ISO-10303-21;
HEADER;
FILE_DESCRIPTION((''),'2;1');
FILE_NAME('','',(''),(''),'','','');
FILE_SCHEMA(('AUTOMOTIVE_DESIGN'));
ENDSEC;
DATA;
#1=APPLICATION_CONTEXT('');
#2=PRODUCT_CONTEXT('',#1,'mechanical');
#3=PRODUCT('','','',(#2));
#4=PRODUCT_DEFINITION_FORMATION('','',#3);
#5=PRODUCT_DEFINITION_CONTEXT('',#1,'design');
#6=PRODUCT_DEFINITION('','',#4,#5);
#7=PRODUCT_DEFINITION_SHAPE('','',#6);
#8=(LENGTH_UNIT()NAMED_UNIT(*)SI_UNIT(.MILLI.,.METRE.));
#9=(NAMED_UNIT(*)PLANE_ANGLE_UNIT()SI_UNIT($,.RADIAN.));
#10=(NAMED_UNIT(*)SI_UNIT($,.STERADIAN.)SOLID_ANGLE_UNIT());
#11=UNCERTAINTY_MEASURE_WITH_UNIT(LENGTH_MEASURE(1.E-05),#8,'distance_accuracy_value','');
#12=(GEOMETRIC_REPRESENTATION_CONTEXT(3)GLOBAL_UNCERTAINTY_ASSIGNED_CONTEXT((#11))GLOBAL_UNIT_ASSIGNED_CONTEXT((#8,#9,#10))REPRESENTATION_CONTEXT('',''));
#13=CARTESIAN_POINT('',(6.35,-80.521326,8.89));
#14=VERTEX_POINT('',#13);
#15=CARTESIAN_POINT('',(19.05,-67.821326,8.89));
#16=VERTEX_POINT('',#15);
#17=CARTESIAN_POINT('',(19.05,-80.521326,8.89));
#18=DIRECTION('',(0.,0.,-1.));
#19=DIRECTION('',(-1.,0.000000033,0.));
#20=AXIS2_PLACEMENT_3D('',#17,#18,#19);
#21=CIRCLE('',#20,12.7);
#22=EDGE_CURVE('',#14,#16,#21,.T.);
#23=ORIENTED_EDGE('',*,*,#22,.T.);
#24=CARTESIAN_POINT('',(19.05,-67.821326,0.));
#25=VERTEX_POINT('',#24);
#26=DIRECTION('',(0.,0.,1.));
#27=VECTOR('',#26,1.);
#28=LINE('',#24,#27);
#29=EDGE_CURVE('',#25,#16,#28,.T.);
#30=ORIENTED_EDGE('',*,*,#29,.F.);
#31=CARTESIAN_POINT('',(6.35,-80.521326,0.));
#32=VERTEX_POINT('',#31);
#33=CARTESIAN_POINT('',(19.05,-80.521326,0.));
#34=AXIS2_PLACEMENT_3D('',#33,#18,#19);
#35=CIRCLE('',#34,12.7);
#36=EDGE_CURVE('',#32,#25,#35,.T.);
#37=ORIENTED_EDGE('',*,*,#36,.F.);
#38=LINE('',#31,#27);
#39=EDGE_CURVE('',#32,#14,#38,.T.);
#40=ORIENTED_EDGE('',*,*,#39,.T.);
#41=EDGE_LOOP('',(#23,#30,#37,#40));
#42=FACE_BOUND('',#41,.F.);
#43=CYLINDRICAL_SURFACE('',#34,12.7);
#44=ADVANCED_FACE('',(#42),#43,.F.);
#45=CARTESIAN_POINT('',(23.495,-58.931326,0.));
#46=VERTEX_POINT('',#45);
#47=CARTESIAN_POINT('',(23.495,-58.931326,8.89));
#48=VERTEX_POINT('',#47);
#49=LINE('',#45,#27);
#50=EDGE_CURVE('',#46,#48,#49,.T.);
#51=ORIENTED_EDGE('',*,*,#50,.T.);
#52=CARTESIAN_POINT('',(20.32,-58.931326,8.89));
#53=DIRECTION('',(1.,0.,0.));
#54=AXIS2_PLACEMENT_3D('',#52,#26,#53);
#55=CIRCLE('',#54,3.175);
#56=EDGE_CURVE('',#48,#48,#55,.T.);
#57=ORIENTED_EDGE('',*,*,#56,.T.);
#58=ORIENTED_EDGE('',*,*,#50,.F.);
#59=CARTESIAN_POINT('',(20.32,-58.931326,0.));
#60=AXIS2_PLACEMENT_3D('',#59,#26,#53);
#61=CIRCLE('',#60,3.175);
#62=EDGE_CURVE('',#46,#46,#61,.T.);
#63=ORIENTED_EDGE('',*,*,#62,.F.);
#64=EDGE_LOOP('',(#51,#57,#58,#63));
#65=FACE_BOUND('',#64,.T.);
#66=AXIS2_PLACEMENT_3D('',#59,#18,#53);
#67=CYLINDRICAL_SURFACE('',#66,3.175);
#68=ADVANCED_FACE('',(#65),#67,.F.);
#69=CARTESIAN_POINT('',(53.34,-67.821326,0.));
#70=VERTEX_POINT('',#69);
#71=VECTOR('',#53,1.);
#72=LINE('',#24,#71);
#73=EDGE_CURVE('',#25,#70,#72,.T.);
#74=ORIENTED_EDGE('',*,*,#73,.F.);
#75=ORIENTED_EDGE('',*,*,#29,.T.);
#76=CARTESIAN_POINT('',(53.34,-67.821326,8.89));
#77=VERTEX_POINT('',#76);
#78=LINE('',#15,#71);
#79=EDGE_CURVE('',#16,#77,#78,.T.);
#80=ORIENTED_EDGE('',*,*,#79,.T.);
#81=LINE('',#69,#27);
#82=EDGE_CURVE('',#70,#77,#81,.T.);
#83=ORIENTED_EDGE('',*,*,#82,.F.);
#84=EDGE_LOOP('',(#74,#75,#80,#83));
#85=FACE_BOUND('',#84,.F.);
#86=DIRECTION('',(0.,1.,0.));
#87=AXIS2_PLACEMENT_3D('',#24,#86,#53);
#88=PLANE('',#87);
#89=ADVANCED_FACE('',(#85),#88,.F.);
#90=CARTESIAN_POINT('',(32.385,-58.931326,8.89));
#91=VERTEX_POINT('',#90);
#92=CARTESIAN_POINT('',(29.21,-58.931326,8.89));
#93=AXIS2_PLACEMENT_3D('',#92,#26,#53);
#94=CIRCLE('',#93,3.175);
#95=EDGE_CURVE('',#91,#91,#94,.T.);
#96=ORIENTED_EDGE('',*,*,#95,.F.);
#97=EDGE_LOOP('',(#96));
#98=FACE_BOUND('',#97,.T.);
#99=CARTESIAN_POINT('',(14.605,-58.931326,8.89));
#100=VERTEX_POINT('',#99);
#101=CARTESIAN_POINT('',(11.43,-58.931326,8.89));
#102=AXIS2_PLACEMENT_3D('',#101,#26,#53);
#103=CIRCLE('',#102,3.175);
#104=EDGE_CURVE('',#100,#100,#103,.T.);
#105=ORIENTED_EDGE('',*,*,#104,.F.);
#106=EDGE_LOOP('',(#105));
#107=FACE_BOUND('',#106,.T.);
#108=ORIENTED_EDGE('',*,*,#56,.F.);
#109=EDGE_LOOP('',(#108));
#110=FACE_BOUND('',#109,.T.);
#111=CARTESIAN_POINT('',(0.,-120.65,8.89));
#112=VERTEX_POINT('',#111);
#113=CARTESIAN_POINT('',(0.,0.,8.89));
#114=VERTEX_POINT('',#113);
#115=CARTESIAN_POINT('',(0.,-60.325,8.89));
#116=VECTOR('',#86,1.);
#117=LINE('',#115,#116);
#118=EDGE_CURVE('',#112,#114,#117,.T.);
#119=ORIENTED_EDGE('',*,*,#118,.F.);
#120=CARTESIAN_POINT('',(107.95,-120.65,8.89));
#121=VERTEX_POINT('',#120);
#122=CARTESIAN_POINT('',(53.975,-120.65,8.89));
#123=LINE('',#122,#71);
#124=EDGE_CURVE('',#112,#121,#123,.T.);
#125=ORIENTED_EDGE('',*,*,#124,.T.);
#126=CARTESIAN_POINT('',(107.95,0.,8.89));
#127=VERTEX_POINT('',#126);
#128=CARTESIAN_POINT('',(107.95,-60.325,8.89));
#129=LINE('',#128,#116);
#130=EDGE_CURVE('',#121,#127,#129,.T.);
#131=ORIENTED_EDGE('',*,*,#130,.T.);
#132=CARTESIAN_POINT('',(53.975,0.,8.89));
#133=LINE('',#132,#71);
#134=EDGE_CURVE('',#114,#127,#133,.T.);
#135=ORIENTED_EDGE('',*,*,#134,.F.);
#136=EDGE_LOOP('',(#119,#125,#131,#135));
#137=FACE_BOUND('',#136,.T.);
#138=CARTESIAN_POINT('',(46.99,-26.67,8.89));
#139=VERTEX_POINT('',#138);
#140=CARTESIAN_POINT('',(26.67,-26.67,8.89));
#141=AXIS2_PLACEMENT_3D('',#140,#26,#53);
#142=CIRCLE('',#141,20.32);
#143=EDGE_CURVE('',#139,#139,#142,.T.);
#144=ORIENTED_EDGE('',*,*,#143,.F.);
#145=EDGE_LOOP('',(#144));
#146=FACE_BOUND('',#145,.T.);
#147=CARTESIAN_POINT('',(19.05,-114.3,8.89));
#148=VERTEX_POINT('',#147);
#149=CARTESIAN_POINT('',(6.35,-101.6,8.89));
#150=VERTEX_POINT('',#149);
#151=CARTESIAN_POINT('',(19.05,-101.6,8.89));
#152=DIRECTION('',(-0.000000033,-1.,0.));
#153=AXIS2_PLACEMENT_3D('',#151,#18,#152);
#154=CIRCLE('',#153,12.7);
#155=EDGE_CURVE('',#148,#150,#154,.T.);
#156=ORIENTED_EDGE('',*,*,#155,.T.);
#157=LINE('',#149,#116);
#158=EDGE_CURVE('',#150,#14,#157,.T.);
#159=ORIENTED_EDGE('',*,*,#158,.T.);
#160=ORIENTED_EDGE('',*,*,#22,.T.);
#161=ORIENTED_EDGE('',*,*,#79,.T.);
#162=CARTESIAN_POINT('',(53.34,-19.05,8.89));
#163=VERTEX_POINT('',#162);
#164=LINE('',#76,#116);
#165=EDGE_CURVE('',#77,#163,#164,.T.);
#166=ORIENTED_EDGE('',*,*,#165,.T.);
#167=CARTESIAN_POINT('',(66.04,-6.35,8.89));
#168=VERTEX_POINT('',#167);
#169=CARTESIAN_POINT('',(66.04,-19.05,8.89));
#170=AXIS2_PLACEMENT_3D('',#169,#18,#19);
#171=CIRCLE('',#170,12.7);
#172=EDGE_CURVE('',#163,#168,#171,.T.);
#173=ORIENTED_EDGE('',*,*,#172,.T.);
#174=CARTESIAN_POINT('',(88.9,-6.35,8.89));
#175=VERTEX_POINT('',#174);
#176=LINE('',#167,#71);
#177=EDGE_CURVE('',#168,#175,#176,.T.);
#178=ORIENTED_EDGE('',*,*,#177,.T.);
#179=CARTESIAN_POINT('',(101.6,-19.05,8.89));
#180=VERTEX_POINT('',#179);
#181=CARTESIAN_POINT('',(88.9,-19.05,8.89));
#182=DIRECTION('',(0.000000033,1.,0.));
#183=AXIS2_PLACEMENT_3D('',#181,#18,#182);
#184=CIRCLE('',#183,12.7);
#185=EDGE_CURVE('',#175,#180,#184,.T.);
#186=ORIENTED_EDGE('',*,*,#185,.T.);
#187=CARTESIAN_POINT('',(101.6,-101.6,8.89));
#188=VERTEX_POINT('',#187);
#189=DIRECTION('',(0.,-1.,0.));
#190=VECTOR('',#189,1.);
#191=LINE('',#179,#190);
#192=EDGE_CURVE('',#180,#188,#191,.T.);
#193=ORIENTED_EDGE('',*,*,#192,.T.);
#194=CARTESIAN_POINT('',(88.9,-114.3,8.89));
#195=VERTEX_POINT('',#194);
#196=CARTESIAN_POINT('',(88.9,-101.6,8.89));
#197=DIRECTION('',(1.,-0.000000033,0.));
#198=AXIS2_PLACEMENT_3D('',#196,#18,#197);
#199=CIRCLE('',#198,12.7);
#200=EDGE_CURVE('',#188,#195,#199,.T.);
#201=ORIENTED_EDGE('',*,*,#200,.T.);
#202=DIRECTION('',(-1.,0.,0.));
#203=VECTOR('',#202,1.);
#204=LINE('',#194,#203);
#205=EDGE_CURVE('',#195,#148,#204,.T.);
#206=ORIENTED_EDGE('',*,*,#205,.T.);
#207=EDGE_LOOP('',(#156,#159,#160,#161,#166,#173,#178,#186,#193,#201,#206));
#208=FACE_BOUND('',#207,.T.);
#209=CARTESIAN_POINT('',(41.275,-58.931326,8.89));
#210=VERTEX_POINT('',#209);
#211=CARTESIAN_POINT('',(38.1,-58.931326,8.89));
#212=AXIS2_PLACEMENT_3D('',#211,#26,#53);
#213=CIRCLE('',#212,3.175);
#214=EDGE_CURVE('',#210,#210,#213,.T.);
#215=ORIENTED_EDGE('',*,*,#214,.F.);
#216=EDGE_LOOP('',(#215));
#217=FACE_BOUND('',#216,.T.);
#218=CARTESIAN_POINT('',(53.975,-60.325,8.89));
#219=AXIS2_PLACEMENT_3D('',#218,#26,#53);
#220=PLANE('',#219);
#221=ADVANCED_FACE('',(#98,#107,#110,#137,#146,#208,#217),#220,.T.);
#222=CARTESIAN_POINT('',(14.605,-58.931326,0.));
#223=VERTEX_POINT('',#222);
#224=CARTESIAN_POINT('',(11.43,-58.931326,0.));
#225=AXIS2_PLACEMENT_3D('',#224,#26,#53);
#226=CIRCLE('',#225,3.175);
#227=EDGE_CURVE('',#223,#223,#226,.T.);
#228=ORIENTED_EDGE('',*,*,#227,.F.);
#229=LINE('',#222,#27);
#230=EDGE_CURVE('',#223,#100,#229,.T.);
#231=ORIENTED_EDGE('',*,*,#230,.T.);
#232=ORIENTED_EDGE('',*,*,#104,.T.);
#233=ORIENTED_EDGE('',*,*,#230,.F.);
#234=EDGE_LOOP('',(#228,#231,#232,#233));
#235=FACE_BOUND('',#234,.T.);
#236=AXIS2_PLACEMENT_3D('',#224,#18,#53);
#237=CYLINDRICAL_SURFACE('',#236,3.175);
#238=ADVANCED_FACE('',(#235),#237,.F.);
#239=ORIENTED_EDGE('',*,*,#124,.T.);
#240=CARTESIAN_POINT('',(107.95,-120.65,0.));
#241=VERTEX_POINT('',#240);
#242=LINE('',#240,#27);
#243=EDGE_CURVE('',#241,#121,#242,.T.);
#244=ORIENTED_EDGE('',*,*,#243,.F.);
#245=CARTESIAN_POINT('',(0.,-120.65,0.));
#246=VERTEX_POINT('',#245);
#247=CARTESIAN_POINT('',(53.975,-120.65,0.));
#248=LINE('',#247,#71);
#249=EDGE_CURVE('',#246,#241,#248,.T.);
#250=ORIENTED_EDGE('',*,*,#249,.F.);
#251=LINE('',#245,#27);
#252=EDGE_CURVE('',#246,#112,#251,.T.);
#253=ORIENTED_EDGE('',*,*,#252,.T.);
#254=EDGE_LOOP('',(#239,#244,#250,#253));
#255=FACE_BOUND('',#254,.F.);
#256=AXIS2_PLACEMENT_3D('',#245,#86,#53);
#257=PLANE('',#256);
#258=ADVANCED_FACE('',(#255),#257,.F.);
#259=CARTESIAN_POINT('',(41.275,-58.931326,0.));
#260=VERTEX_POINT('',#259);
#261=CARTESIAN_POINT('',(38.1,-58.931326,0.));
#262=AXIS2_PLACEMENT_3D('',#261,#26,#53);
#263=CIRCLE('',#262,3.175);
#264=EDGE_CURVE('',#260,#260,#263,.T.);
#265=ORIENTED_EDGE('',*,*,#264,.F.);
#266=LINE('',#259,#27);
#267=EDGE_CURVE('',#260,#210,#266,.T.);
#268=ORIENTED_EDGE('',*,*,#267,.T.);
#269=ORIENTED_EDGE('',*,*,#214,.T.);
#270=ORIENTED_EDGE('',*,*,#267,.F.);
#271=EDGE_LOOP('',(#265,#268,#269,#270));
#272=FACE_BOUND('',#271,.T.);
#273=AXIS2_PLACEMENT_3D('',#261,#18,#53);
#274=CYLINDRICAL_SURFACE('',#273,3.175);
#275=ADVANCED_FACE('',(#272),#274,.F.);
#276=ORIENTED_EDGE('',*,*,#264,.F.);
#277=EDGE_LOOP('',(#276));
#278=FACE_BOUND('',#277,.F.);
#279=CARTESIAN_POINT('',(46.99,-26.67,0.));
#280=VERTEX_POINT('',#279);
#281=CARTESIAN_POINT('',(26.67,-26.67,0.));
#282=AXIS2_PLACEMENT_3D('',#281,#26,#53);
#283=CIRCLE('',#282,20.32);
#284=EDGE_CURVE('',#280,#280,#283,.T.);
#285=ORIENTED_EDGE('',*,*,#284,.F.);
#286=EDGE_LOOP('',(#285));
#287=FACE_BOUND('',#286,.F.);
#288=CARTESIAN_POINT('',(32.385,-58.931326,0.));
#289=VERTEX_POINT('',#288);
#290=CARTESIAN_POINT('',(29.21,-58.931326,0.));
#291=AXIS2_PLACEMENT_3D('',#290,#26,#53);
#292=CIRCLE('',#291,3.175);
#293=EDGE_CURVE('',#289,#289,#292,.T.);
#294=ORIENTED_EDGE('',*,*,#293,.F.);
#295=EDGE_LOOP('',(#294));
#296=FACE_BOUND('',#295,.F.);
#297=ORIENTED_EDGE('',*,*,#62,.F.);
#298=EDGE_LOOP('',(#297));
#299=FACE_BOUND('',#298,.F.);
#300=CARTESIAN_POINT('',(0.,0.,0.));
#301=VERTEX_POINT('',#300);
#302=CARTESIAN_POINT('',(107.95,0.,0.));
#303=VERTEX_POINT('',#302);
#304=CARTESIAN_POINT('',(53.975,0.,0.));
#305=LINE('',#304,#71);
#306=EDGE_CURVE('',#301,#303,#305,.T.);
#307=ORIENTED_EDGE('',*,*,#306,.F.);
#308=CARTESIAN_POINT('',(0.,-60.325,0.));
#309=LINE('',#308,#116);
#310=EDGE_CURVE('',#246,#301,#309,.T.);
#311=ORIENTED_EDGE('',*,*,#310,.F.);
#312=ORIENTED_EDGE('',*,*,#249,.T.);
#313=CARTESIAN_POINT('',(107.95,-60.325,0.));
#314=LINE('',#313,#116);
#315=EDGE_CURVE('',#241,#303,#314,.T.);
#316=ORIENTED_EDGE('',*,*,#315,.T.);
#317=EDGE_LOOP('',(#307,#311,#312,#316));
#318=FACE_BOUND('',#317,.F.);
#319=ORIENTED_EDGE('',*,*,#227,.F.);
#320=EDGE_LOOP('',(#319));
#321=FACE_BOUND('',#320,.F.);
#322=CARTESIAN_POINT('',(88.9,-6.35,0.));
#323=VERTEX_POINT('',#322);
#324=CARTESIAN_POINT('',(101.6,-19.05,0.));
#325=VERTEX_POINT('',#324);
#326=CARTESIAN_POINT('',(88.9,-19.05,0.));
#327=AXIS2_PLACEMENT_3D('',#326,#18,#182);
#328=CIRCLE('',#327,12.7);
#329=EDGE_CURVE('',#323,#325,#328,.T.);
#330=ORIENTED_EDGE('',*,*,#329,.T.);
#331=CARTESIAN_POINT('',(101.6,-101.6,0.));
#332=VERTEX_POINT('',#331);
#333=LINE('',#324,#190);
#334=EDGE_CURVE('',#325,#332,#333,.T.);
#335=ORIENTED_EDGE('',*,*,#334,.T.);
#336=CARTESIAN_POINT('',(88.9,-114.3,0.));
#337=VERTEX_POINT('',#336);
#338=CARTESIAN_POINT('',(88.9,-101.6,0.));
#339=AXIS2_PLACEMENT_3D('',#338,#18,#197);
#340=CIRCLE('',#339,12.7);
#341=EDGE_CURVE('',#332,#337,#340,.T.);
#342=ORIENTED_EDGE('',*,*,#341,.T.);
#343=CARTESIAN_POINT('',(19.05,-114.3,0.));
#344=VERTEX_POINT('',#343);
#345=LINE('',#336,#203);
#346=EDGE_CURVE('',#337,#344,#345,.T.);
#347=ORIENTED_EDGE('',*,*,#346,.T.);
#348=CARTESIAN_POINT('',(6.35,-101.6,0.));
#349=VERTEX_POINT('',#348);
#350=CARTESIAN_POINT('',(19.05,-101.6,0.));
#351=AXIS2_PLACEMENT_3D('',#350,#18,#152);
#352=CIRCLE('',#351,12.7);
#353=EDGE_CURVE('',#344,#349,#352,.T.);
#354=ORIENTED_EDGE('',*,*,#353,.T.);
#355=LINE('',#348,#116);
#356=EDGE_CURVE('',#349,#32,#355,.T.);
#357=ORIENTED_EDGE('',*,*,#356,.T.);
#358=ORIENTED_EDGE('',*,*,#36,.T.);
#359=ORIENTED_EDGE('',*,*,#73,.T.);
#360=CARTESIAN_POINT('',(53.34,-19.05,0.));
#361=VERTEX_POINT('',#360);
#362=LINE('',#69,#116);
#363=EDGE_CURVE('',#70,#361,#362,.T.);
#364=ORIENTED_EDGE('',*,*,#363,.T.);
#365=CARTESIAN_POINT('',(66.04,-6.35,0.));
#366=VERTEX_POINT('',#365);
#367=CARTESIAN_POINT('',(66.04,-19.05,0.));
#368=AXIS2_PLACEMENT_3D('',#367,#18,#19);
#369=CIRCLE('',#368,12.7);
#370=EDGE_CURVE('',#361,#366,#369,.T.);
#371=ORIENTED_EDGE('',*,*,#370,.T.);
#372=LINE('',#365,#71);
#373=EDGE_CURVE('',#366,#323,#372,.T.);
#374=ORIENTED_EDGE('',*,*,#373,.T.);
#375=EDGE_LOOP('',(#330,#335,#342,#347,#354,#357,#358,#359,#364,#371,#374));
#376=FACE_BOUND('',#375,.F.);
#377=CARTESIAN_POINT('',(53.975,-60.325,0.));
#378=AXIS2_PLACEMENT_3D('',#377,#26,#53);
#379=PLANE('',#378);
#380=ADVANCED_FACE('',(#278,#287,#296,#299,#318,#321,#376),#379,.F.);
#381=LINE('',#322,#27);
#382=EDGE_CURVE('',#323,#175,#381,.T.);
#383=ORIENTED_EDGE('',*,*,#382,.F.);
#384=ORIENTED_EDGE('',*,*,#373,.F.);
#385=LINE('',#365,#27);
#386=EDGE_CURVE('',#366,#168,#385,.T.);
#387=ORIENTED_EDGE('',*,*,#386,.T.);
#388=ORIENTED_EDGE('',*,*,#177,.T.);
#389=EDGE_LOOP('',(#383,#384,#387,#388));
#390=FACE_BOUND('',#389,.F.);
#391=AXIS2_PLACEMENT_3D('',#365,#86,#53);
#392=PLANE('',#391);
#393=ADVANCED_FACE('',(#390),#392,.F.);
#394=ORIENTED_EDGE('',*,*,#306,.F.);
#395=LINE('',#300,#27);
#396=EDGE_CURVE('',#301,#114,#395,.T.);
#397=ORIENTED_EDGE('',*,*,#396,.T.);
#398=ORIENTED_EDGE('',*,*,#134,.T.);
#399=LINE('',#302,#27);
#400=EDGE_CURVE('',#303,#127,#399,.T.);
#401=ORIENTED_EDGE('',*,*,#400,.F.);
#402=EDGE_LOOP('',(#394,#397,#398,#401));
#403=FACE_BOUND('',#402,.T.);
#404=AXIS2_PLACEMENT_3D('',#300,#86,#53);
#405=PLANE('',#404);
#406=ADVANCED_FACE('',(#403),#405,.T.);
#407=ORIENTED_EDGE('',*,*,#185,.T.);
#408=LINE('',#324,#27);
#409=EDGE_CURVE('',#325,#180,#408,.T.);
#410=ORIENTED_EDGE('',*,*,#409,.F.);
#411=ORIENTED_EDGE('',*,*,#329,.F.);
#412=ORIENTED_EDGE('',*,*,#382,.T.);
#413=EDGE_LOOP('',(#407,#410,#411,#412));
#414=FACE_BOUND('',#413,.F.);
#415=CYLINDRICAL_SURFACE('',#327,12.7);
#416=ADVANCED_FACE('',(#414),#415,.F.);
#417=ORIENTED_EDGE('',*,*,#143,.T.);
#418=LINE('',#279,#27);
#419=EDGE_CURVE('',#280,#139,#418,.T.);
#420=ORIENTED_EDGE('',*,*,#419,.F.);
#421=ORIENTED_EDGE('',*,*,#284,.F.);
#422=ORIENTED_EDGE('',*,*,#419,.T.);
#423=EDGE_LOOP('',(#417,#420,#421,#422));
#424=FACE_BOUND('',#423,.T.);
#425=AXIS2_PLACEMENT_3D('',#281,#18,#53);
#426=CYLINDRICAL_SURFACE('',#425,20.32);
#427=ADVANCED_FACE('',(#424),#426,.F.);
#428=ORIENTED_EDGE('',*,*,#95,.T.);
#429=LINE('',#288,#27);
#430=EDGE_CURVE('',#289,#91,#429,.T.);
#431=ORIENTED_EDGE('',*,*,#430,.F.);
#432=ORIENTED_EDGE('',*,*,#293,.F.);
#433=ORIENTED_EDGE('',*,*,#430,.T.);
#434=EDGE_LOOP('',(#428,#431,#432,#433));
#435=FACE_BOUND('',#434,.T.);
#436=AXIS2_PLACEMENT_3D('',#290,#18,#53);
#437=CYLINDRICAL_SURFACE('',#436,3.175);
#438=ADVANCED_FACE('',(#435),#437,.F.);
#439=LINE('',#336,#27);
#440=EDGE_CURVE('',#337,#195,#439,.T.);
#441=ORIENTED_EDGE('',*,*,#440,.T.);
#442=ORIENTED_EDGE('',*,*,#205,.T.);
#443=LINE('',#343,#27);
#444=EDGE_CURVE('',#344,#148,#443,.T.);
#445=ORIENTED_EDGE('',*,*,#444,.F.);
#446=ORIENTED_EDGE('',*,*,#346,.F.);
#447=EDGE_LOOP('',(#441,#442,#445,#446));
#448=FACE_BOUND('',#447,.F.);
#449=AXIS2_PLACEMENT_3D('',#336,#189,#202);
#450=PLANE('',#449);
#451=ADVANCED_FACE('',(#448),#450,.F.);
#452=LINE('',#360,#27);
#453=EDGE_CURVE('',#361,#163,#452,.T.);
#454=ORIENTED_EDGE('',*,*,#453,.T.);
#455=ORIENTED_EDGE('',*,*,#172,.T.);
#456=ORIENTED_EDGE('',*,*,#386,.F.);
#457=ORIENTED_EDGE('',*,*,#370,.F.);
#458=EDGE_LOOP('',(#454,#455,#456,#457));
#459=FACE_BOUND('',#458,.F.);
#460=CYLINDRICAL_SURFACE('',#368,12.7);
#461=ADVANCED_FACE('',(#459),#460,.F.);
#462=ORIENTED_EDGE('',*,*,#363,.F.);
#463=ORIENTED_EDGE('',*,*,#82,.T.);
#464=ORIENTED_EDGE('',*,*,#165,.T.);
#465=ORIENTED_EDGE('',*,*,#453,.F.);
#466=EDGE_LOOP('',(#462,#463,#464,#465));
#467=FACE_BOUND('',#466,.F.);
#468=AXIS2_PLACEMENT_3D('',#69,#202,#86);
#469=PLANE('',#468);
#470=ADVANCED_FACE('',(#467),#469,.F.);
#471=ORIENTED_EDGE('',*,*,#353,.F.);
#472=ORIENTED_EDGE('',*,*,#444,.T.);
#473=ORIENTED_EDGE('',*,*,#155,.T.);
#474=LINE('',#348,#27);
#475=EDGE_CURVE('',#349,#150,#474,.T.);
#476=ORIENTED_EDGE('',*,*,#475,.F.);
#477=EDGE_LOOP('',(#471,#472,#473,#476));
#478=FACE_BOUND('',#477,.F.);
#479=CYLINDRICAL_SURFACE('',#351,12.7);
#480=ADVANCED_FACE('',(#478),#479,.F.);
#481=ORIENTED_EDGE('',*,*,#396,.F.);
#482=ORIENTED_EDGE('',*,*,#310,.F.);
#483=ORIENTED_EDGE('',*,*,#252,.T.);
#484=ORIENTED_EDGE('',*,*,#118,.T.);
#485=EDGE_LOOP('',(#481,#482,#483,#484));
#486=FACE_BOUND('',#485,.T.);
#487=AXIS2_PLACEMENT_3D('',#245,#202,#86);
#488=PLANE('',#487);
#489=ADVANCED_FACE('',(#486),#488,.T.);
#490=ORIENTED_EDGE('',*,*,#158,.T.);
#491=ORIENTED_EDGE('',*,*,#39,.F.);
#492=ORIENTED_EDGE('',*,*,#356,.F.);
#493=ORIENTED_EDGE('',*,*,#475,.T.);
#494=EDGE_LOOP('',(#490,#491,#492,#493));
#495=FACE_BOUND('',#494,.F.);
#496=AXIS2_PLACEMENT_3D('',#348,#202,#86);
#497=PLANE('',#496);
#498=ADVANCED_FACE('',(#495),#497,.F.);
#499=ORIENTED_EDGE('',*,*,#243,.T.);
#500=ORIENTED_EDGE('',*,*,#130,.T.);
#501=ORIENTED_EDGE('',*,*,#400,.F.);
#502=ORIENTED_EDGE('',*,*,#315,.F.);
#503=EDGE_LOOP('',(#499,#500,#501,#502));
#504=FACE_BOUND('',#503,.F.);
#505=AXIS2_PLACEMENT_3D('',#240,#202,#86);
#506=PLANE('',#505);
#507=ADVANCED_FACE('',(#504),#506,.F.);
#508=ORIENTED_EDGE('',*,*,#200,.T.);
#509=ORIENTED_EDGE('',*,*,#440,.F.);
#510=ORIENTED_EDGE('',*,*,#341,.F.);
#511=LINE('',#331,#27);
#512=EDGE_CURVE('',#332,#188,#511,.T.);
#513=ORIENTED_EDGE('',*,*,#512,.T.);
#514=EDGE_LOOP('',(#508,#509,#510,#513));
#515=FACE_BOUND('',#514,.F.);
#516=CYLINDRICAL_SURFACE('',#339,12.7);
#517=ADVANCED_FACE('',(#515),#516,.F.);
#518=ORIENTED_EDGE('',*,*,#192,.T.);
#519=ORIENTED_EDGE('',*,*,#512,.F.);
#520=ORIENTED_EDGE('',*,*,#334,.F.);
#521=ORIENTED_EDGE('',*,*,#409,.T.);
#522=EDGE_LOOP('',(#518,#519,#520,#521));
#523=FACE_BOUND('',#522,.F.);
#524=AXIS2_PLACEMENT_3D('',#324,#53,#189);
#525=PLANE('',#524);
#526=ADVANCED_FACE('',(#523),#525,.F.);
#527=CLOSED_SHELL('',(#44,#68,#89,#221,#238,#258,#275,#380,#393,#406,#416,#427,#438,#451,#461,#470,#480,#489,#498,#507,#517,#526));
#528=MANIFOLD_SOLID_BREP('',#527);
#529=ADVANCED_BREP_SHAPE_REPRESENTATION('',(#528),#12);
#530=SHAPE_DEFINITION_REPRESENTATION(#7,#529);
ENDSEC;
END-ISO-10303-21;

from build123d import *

# Parameters (mm, degrees)
F0_W     = 107.95
F0_H     = 120.65
F0_R     = 3.175
F0_R_2   = 20.32
F1_DEPTH = 8.89


with BuildPart() as f1:
    # F0 (on Top) → F1 (new body)
    with BuildSketch(Plane.XY):
        with Locations((53.975, -60.325)):
            Rectangle(F0_W, F0_H)
        with Locations((11.43, -58.931326)):
            Circle(F0_R, mode=Mode.SUBTRACT)
        with Locations((20.32, -58.931326)):
            Circle(F0_R, mode=Mode.SUBTRACT)
        with Locations((29.21, -58.931326)):
            Circle(F0_R, mode=Mode.SUBTRACT)
        with Locations((38.1, -58.931326)):
            Circle(F0_R, mode=Mode.SUBTRACT)
        with BuildLine():
            ThreePointArc((53.34, -19.05), (57.059744, -10.069744), (66.04, -6.35))
            Line((66.04, -6.35), (88.9, -6.35))
            ThreePointArc((88.9, -6.35), (97.880256, -10.069744), (101.6, -19.05))
            Line((101.6, -19.05), (101.6, -101.6))
            ThreePointArc((101.6, -101.6), (97.880256, -110.580256), (88.9, -114.3))
            Line((88.9, -114.3), (53.34, -114.3))
            Line((53.34, -114.3), (52.828665, -114.3))
            Line((52.828665, -114.3), (19.05, -114.3))
            ThreePointArc((19.05, -114.3), (10.069744, -110.580256), (6.35, -101.6))
            Line((6.35, -101.6), (6.35, -80.521326))
            ThreePointArc((6.35, -80.521326), (10.069744, -71.54107), (19.05, -67.821326))
            Line((19.05, -67.821326), (53.34, -67.821326))
            Line((53.34, -67.821326), (53.34, -19.05))
        make_face(mode=Mode.SUBTRACT)
        with Locations((26.67, -26.67)):
            Circle(F0_R_2, mode=Mode.SUBTRACT)
    extrude(amount=F1_DEPTH)


solid = f1.part
